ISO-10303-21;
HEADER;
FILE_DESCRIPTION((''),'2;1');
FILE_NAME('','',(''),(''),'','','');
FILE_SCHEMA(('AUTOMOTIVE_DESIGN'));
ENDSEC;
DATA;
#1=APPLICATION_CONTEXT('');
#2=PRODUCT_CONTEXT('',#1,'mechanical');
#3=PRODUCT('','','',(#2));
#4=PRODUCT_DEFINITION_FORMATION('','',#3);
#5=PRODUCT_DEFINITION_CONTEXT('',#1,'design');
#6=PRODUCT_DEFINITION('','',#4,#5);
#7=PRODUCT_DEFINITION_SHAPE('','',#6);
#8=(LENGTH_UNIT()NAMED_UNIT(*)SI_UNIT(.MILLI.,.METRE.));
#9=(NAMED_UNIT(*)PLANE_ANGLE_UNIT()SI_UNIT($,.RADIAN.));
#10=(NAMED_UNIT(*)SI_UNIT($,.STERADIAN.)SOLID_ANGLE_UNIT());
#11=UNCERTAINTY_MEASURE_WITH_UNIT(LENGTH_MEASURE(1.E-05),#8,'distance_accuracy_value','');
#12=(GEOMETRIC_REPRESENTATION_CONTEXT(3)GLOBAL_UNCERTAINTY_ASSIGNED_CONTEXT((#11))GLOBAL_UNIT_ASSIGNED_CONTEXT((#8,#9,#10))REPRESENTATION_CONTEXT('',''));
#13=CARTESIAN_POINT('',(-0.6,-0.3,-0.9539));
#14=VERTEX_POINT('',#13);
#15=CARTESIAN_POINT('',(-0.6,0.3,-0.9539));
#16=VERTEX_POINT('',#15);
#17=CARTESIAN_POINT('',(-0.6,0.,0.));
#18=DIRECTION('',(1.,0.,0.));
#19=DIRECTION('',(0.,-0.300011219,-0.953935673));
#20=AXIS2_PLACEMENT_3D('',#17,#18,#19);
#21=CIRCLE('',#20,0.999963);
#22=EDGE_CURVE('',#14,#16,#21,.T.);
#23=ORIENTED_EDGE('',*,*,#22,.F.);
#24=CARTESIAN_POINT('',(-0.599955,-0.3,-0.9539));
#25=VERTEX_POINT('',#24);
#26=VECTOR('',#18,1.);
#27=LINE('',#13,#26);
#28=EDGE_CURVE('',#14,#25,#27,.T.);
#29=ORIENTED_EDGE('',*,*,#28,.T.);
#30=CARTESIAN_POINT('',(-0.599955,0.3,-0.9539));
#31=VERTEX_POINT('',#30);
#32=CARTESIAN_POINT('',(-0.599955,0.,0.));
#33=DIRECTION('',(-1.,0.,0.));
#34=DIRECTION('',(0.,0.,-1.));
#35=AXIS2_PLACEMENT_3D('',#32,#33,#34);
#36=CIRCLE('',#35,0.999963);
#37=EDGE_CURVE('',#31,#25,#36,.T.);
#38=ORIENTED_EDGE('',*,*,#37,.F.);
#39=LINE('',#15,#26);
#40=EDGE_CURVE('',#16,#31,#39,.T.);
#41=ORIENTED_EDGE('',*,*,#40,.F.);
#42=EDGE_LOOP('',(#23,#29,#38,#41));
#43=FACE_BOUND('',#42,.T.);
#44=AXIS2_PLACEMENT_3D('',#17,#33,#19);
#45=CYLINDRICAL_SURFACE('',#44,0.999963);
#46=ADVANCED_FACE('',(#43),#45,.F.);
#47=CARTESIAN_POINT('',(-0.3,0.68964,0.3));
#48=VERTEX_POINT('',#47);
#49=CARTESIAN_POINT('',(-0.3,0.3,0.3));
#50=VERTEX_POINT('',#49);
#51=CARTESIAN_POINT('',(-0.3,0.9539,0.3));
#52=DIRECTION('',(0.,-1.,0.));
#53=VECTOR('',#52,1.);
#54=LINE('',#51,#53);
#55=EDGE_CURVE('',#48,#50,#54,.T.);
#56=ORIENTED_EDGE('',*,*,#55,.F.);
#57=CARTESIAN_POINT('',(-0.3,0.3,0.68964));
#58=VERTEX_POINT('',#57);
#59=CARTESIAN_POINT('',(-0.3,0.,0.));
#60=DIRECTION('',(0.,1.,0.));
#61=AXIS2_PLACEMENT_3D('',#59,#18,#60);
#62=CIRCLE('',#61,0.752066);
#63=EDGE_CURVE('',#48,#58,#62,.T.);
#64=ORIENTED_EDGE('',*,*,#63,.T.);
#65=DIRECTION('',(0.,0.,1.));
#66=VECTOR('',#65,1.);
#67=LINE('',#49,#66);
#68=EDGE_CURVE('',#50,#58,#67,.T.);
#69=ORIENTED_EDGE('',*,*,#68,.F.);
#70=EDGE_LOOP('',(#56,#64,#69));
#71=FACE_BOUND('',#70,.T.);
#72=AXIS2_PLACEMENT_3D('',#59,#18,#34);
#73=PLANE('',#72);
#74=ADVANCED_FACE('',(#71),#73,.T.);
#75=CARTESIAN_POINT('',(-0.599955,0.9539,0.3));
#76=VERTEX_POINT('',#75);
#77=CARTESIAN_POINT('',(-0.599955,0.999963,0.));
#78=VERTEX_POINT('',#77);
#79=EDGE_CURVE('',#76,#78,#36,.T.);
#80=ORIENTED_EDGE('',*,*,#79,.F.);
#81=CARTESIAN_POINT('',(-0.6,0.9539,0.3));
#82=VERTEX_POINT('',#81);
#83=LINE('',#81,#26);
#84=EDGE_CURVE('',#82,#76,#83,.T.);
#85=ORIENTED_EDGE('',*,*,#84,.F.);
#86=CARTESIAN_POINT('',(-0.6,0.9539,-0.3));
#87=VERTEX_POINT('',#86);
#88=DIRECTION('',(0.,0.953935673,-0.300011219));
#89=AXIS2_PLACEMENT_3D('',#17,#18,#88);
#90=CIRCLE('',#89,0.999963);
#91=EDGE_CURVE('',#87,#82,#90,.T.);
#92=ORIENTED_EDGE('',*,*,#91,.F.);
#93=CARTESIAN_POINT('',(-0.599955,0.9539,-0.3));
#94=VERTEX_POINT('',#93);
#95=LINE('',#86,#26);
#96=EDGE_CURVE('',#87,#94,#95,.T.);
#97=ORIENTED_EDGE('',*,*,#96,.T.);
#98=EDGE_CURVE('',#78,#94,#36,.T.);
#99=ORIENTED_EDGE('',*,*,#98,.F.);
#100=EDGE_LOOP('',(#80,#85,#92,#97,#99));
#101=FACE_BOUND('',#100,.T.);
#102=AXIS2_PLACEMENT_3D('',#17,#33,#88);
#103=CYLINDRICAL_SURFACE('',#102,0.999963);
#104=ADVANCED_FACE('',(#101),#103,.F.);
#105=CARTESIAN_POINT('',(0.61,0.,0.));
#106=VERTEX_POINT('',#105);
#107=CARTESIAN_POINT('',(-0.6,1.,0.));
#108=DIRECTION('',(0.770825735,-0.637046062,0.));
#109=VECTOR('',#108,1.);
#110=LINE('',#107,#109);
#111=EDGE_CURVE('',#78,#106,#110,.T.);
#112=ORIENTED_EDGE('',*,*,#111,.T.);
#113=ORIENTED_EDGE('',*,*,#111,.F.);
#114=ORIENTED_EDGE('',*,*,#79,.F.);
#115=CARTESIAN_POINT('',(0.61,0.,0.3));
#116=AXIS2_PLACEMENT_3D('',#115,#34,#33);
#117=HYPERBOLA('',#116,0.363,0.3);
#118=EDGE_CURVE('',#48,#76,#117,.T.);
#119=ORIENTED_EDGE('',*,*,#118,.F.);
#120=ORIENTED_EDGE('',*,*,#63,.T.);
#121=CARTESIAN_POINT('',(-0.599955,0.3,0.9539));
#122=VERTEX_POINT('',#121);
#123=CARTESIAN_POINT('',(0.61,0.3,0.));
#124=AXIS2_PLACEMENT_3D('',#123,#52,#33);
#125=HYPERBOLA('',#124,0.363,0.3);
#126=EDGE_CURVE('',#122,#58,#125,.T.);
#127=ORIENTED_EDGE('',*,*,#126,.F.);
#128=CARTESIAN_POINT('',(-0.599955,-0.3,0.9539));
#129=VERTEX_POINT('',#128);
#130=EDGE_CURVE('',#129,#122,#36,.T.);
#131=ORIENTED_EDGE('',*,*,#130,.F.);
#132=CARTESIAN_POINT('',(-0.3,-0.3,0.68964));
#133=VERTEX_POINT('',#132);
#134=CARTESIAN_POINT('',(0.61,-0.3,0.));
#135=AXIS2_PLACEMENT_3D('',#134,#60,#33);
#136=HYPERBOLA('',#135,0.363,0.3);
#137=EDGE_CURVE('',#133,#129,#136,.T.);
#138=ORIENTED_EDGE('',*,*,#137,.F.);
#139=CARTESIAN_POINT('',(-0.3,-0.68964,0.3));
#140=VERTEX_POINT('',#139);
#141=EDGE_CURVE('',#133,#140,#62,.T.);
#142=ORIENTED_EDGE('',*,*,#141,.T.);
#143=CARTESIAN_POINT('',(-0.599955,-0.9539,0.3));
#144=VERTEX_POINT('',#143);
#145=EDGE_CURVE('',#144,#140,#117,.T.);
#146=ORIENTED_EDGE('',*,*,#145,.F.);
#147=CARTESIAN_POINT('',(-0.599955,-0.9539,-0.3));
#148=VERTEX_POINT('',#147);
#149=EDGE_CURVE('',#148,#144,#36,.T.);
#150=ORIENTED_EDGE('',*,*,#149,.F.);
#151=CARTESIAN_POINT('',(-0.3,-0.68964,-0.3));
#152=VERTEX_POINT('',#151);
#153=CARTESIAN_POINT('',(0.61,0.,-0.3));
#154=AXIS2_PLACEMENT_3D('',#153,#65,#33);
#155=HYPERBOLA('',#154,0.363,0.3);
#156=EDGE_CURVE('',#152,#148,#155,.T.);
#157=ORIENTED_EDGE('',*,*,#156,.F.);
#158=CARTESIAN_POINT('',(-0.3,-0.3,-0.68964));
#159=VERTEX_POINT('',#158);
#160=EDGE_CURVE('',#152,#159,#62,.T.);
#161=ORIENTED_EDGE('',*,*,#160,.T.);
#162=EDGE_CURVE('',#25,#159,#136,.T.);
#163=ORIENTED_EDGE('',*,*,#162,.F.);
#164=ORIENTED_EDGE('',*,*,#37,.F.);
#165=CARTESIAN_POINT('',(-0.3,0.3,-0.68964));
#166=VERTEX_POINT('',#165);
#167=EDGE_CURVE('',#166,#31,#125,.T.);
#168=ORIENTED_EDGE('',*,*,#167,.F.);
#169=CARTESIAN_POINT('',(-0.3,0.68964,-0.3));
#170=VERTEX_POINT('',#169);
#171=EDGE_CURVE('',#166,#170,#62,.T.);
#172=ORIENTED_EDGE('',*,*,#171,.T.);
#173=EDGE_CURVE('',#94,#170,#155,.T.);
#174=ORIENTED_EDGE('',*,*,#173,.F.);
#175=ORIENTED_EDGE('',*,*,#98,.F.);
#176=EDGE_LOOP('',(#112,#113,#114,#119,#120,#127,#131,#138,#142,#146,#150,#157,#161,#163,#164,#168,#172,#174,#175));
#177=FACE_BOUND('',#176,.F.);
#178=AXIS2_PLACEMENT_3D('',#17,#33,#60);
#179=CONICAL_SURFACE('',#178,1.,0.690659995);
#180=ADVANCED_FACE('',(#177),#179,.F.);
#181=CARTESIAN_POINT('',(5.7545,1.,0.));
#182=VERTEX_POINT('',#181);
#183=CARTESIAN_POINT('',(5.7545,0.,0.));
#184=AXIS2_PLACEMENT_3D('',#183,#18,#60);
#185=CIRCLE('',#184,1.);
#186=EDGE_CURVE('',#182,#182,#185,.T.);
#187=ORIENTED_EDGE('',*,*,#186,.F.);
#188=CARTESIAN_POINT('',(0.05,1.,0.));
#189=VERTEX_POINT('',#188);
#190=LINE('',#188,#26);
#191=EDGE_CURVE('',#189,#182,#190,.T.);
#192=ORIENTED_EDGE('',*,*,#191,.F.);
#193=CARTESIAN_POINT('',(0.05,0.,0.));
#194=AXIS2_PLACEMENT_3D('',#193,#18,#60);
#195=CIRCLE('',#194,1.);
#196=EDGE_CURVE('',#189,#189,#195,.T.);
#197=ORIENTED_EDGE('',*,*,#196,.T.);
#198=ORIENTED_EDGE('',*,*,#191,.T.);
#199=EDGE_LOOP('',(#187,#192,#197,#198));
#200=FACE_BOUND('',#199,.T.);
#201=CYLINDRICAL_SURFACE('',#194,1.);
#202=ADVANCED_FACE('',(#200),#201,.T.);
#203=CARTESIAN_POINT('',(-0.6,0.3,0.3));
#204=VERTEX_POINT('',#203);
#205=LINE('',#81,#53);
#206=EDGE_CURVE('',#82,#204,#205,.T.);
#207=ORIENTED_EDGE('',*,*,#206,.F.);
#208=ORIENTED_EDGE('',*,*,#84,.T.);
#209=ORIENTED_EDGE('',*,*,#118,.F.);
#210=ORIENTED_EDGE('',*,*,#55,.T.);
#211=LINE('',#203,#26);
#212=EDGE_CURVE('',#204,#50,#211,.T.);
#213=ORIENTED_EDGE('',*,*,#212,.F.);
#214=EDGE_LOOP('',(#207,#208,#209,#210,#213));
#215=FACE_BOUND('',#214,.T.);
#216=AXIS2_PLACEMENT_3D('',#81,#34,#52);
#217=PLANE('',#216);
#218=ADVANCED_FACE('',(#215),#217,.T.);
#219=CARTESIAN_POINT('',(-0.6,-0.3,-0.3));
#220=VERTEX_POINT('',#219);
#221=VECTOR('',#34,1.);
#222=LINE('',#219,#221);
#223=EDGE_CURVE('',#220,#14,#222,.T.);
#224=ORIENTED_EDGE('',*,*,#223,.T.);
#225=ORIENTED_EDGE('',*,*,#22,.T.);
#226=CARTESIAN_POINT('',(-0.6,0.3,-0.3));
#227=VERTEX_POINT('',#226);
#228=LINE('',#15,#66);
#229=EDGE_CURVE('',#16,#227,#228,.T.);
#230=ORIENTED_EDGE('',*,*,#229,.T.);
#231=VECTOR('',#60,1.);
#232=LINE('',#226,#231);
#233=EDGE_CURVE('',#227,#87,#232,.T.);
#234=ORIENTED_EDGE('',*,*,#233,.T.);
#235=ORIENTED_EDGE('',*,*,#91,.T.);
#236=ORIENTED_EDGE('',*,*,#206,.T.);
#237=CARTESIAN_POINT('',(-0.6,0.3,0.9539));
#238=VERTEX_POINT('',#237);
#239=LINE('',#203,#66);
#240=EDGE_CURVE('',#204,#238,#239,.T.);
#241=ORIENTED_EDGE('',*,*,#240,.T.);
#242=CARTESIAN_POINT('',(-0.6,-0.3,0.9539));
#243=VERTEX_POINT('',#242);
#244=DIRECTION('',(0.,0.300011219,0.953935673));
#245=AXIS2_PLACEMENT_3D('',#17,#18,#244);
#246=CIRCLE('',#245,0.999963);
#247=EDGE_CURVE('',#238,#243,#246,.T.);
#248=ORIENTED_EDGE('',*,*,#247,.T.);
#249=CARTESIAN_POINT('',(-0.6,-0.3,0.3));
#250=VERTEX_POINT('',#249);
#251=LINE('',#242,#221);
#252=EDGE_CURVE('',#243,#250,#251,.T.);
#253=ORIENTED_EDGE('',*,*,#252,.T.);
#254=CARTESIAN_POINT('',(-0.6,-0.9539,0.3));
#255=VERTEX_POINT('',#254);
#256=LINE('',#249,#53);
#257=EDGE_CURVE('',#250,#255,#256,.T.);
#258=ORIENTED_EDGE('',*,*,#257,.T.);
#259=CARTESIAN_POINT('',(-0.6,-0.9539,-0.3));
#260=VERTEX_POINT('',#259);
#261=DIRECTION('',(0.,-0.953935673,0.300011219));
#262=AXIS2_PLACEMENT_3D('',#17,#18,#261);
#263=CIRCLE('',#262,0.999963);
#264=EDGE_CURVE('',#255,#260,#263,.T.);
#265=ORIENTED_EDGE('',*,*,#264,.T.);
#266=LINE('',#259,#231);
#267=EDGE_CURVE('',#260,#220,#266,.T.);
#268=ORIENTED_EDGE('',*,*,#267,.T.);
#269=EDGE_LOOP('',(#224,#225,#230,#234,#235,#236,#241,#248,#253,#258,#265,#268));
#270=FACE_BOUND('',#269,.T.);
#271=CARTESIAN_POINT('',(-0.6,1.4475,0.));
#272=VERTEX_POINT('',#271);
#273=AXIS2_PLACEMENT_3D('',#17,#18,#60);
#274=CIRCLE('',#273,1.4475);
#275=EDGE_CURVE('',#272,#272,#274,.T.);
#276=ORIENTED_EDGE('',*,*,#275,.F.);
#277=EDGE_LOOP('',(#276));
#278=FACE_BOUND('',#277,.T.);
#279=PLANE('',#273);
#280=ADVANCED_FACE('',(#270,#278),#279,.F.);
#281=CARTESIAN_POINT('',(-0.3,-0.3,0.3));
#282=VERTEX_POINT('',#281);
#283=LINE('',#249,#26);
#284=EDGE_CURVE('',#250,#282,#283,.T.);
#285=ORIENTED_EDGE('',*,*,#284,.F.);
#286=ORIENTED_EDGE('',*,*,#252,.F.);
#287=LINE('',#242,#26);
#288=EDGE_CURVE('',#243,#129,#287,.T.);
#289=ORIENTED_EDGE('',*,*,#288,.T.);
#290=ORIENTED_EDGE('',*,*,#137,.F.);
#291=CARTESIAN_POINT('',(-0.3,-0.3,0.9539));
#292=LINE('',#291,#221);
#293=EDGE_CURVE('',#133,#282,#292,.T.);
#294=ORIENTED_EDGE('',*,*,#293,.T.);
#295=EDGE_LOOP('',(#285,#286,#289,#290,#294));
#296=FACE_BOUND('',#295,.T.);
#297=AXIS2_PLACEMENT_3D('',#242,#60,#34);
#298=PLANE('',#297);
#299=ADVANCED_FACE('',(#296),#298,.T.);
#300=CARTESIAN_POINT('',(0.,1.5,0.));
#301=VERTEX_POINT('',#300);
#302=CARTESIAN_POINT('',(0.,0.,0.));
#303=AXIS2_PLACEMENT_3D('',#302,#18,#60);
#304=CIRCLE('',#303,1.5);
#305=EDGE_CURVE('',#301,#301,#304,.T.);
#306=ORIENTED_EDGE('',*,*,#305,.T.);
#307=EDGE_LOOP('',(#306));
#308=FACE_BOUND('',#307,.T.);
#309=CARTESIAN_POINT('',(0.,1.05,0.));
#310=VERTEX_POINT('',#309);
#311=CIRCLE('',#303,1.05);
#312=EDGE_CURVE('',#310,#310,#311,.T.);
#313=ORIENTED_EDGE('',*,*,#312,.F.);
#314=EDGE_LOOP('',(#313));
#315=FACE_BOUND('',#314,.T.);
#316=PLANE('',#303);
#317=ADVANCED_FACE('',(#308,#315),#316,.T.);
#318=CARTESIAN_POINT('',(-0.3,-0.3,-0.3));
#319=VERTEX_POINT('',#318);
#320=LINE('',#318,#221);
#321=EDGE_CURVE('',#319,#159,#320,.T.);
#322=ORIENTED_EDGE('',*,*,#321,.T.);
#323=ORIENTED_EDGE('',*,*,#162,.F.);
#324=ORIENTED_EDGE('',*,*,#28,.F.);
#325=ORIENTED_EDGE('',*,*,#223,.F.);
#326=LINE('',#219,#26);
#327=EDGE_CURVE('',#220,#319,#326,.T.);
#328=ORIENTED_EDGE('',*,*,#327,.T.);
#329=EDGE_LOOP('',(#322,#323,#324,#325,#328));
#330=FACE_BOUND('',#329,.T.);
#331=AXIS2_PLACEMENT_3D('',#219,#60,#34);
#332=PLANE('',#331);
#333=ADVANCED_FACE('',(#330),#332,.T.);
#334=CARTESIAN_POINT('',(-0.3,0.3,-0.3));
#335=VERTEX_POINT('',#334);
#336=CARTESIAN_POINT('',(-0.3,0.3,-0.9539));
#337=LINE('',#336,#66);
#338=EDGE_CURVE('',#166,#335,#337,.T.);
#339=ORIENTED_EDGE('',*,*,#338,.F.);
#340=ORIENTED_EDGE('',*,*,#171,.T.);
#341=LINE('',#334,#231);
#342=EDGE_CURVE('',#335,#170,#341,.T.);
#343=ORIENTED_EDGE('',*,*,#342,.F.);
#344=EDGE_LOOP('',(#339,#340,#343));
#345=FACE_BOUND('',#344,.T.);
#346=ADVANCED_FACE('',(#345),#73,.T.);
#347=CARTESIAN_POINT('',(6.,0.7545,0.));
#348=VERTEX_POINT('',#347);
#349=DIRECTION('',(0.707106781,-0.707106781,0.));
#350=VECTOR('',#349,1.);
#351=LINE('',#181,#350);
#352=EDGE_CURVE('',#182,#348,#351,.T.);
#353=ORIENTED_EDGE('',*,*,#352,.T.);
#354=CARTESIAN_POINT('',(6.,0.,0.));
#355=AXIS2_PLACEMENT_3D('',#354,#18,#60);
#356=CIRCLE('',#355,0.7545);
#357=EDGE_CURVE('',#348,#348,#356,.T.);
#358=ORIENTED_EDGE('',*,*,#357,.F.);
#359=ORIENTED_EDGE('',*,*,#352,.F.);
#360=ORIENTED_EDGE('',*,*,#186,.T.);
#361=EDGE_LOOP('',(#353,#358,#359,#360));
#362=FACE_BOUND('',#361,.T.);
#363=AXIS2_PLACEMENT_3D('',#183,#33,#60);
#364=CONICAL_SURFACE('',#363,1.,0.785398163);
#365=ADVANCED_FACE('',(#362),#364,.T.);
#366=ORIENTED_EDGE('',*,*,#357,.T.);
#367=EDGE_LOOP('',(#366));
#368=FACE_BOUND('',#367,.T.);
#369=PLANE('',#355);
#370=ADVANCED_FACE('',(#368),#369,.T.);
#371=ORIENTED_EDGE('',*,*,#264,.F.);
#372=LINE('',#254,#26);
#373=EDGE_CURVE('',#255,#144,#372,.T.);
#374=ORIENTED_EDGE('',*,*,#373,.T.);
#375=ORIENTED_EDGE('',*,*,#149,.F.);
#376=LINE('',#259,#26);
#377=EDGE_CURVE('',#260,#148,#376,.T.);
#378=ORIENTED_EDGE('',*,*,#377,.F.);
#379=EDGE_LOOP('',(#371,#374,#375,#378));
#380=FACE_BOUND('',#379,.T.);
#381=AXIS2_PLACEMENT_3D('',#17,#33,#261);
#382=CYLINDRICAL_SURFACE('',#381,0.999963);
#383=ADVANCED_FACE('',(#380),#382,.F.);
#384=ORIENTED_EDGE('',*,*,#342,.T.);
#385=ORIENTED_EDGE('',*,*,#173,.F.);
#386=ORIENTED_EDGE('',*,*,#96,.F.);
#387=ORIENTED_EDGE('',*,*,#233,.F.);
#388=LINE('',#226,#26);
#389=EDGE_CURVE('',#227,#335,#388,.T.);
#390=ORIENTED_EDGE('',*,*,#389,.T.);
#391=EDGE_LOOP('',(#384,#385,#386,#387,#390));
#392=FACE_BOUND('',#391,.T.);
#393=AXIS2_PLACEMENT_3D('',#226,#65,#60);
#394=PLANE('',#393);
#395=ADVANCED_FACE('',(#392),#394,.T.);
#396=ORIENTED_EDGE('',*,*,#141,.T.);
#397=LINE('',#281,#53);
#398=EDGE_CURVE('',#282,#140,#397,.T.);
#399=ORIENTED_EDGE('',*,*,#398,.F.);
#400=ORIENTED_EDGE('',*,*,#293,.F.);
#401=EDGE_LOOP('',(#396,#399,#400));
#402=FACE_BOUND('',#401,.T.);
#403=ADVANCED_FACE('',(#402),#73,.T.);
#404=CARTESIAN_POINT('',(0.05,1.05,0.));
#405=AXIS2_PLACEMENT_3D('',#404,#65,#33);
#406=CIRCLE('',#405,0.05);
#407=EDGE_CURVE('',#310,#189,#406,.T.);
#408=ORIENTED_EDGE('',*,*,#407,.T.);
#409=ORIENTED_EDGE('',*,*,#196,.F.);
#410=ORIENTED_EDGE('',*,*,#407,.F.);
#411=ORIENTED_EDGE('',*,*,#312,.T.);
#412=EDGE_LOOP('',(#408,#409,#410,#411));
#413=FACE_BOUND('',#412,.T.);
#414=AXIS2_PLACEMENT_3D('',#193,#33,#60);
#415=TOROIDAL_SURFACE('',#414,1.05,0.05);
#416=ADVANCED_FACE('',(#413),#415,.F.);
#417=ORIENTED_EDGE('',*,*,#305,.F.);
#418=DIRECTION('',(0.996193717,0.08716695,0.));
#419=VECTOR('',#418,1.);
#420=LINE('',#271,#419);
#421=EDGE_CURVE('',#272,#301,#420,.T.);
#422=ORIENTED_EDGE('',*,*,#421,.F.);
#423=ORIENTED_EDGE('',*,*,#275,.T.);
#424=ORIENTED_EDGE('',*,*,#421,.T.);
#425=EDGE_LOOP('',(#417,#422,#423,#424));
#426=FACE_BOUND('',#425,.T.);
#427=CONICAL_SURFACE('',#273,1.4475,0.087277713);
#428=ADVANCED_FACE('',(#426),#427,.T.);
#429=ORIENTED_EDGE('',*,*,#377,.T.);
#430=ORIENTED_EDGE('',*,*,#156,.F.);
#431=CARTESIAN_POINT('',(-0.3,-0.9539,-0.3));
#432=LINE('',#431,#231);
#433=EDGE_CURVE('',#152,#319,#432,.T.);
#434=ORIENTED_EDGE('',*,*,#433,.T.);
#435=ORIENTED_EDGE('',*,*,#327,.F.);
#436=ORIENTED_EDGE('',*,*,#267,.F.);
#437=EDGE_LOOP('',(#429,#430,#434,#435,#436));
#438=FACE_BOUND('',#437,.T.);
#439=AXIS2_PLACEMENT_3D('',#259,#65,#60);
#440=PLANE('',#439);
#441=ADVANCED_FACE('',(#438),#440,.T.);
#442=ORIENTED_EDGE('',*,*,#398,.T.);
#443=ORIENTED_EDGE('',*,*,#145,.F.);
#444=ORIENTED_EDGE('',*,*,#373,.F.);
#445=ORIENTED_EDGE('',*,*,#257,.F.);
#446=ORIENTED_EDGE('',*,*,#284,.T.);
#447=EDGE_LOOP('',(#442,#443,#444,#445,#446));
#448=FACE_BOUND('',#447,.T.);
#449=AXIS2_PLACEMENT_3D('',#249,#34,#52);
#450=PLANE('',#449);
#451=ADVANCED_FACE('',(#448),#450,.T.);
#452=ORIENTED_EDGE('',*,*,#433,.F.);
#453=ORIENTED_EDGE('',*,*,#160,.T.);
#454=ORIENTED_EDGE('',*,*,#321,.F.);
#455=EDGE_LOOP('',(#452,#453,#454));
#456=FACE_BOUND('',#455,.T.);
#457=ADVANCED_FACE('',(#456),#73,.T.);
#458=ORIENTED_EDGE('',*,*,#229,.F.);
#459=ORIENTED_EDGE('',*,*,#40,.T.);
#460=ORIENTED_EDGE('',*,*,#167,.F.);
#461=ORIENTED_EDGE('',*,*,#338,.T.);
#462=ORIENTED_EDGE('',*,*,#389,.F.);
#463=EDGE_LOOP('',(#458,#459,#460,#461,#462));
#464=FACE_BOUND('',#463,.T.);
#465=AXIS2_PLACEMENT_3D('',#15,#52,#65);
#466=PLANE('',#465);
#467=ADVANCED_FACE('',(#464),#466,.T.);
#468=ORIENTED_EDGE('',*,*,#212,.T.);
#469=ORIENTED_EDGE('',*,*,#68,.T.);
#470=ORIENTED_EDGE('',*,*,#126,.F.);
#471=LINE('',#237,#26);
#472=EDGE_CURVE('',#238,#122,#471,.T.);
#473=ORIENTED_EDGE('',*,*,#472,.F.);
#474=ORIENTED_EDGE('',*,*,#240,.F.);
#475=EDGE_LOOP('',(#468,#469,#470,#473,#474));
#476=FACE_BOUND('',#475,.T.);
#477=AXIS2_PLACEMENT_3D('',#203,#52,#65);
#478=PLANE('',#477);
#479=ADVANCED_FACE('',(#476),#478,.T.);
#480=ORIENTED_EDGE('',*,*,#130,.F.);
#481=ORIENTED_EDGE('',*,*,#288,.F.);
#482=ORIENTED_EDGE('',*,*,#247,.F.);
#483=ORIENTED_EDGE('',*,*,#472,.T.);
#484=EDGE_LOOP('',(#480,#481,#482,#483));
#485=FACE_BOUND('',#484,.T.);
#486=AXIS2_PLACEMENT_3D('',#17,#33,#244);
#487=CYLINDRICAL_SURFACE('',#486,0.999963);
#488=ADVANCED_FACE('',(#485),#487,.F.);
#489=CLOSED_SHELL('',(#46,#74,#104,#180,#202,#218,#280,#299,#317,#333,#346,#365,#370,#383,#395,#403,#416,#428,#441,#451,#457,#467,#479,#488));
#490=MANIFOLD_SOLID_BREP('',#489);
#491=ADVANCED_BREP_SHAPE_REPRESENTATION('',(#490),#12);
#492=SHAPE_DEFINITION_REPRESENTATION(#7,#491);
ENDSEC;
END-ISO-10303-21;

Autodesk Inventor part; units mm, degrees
sketch "Sketch_1" plane through (0, 0, 0) normal (0, 0, 1) x (1, 0, 0)
  line L0 (6, 0) -> (-0.6, 0)
  line L1 (-0.6, 0) -> (-0.6, 1.5)
  line L2 (-0.6, 1.5) -> (0, 1.5)
  line L3 (0, 1.5) -> (0, 1.05)
  arc A0 (0, 1.05) -> (0.05, 1) centre (0.05, 1.05) ccw
  line L4 (0.05, 1) -> (5.7545, 1)
  line L5 (5.7545, 1) -> (6, 0.7545)
  line L6 (6, 0.7545) -> (6, 0)
  line L7 (6, 0) -> (-0.6, 0)
revolve "Revolution1" add sketch "Sketch_1" angle 360 about axis through (6, 0, 0) along (1, 0, 0)
thread "Thread1" size "M2x0.4" class "6g" standard "ISO Metric profile" length 5.3545
sketch "Sketch_3" plane through (0, 0, 0) normal (0, 0, 1) x (1, 0, 0)
  line L0 (0.61, 0) -> (-0.6, 0)
  line L1 (-0.6, 0) -> (-0.6, 1)
  line L2 (-0.6, 1) -> (0.61, 0)
  line L3 (0.61, 0) -> (-0.6, 0)
revolve "Revolution2" cut sketch "Sketch_3" angle 360 about axis through (0.61, 0, 0) along (1, 0, 0)
sketch "Sketch_5" plane through (-0.6, 0, 0) normal (1, 0, 0) x (0, 0, -1)
  circle A0 centre (0, 0) radius 1.1
  arc A1 (-0.9539, 0.3) -> (-0.9539, -0.3) centre (0, 0) ccw
  line L0 (-0.9539, -0.3) -> (-0.3, -0.3)
  line L1 (-0.3, -0.3) -> (-0.3, -0.9539)
  arc A2 (-0.3, -0.9539) -> (0.3, -0.9539) centre (0, 0) ccw
  line L2 (0.3, -0.9539) -> (0.3, -0.3)
  line L3 (0.3, -0.3) -> (0.9539, -0.3)
  arc A3 (0.9539, -0.3) -> (0.9539, 0.3) centre (0, 0) ccw
  line L4 (0.9539, 0.3) -> (0.3, 0.3)
  line L5 (0.3, 0.3) -> (0.3, 0.9539)
  arc A4 (0.3, 0.9539) -> (-0.3, 0.9539) centre (0, 0) ccw
  line L6 (-0.3, 0.9539) -> (-0.3, 0.3)
  line L7 (-0.3, 0.3) -> (-0.9539, 0.3)
extrude "Extrusion1" add sketch "Sketch_5" along normal blind 0.3
sketch "Sketch_6" plane through (0, 0, 0) normal (0, 0, 1) x (1, 0, 0)
  line L0 (50, 0) -> (-50, 0)
  line L1 (-0.6, 1.5) -> (-0.6, 1.4475)
  line L2 (-0.6, 1.4475) -> (0, 1.5)
  line L3 (0, 1.5) -> (-0.6, 1.5)
revolve "Revolution3" cut sketch "Sketch_6" angle 360 about axis through (50, 0, 0) along (1, 0, 0)
ref_plane "screw_to_rail_XY" through (0, 0, 0) normal (-1, 0, 0) x (0, 0, -1)
ref_plane "screw_to_rail_YZ" through (0, 0, 0) normal (0, 0, -1) x (0, -1, 0)
ref_plane "screw_to_rail_ZX" through (0, 0, 0) normal (0, -1, 0) x (-1, 0, 0)
properties part number "M2x6_b"
